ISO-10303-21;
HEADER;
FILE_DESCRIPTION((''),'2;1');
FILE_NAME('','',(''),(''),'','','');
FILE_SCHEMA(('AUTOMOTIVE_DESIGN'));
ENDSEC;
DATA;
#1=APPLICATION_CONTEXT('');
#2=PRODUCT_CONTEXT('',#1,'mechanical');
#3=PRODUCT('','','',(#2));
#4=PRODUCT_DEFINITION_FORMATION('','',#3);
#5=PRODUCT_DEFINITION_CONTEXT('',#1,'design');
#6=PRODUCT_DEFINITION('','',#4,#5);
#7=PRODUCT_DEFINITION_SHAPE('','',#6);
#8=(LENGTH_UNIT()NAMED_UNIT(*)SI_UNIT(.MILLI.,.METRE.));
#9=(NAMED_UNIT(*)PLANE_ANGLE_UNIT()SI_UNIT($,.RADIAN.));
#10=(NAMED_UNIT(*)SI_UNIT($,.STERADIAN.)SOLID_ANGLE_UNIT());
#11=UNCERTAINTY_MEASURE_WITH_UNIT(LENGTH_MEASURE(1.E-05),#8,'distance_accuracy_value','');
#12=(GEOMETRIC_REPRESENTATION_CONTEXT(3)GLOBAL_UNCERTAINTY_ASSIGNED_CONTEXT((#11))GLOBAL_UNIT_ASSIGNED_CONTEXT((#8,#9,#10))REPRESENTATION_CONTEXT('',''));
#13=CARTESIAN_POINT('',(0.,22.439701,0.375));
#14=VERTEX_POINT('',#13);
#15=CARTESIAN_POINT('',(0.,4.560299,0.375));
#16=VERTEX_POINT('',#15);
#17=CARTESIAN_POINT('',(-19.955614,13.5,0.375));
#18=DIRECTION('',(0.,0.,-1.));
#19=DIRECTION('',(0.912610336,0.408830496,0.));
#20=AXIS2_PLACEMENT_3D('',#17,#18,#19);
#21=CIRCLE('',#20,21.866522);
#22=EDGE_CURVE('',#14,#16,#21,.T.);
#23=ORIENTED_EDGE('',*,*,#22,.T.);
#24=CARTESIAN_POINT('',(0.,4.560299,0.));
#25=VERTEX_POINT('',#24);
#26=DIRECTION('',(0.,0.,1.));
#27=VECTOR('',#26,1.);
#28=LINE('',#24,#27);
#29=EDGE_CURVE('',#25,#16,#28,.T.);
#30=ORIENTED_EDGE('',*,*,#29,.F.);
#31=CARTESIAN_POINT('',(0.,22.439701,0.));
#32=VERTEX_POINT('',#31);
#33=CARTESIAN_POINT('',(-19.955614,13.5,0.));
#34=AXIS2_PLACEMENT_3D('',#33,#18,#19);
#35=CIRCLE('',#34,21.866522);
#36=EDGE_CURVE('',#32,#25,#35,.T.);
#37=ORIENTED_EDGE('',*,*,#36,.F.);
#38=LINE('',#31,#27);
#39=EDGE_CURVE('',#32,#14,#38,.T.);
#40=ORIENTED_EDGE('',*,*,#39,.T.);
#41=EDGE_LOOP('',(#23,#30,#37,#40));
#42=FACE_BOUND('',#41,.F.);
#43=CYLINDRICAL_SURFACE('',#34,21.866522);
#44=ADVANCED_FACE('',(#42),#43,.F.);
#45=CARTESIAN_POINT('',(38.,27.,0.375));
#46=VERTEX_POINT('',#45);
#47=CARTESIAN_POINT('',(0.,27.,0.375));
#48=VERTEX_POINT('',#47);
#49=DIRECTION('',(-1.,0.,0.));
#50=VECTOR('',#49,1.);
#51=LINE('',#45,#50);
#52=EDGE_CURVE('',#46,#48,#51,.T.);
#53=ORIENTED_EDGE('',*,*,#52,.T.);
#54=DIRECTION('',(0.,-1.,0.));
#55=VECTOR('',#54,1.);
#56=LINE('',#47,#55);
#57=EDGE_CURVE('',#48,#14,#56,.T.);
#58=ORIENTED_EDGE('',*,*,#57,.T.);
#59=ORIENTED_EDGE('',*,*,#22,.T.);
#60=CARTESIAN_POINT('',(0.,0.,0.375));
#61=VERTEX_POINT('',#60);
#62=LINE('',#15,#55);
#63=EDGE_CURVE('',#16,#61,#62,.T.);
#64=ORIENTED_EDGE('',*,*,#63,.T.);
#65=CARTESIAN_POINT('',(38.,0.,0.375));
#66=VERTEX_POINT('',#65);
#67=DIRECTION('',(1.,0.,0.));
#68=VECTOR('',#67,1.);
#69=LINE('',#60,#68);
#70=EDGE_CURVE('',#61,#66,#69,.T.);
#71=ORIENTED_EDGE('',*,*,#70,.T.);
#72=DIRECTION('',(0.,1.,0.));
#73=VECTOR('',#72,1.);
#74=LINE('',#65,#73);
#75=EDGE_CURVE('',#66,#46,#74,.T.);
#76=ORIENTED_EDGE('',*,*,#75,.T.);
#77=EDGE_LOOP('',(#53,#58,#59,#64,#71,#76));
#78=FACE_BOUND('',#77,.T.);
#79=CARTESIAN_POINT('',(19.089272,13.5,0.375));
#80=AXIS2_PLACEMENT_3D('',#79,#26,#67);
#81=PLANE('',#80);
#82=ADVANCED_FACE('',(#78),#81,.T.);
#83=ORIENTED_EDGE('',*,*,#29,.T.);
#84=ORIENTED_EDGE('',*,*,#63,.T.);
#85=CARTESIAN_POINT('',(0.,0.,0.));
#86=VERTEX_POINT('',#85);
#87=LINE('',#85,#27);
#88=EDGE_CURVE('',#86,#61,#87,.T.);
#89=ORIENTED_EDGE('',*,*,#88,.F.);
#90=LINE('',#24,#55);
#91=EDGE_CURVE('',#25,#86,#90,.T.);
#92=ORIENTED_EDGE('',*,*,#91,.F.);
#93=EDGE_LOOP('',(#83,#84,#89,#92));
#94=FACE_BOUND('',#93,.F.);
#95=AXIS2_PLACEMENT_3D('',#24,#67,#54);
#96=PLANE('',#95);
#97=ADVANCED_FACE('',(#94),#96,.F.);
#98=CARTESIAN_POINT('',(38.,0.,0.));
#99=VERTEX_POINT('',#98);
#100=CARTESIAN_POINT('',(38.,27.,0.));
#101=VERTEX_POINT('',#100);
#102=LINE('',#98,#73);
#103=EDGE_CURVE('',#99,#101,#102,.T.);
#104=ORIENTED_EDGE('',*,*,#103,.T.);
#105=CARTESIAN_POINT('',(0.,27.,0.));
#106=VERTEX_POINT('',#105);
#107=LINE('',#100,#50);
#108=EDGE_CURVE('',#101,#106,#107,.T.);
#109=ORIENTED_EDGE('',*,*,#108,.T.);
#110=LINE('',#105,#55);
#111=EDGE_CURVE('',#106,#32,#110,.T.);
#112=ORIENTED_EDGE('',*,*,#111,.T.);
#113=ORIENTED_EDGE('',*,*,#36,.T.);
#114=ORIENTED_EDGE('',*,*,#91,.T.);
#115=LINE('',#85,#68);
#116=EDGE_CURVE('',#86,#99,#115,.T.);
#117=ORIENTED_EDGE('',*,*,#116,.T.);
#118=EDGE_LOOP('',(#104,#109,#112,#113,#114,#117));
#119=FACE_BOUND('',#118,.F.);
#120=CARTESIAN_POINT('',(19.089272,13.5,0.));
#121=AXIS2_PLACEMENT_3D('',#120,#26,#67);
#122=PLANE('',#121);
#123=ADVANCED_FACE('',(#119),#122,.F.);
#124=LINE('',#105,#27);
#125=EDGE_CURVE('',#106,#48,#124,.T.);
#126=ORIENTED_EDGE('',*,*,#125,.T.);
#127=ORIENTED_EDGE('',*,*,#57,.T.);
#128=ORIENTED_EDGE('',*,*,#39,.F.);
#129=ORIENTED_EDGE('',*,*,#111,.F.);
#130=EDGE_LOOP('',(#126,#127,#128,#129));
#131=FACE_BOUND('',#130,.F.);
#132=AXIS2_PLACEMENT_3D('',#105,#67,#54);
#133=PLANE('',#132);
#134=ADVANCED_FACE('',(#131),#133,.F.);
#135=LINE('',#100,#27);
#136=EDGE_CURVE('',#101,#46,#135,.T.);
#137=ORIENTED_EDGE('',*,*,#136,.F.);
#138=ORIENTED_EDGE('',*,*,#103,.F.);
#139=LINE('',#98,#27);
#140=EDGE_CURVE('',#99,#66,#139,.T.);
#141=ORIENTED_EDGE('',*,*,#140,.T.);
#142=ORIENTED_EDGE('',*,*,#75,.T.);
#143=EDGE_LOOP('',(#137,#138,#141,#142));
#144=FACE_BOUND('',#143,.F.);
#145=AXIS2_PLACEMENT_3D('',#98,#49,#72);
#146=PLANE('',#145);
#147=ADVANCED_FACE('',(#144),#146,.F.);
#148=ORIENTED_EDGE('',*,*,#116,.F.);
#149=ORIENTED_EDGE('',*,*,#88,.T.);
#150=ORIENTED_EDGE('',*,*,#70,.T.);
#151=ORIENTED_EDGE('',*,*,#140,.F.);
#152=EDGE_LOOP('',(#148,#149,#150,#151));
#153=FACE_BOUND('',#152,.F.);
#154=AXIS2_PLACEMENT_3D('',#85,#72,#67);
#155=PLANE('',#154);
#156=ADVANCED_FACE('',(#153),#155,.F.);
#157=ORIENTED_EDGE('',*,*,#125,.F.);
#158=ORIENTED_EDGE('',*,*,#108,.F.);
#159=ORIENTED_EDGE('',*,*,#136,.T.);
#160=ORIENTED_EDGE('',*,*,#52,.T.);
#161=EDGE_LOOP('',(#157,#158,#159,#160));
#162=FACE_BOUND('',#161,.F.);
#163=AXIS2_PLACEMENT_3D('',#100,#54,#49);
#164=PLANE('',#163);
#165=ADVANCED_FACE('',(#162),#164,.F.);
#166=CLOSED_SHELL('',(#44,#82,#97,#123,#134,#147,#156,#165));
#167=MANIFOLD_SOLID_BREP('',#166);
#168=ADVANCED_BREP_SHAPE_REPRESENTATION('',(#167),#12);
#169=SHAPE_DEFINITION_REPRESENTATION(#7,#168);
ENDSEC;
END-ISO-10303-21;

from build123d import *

# Parameters (mm, degrees)
F1_DEPTH = 0.375


with BuildPart() as f1:
    # F0 (on Top) → F1 (new body)
    with BuildSketch(Plane.XY):
        with BuildLine():
            Line((0, 4.560299), (0, 0))
            Line((0, 0), (38, 0))
            Line((38, 0), (38, 27))
            Line((38, 27), (0, 27))
            Line((0, 27), (0, 22.439701))
            ThreePointArc((0, 22.439701), (1.910908, 13.5), (0, 4.560299))
        make_face()
    extrude(amount=F1_DEPTH)


solid = f1.part
